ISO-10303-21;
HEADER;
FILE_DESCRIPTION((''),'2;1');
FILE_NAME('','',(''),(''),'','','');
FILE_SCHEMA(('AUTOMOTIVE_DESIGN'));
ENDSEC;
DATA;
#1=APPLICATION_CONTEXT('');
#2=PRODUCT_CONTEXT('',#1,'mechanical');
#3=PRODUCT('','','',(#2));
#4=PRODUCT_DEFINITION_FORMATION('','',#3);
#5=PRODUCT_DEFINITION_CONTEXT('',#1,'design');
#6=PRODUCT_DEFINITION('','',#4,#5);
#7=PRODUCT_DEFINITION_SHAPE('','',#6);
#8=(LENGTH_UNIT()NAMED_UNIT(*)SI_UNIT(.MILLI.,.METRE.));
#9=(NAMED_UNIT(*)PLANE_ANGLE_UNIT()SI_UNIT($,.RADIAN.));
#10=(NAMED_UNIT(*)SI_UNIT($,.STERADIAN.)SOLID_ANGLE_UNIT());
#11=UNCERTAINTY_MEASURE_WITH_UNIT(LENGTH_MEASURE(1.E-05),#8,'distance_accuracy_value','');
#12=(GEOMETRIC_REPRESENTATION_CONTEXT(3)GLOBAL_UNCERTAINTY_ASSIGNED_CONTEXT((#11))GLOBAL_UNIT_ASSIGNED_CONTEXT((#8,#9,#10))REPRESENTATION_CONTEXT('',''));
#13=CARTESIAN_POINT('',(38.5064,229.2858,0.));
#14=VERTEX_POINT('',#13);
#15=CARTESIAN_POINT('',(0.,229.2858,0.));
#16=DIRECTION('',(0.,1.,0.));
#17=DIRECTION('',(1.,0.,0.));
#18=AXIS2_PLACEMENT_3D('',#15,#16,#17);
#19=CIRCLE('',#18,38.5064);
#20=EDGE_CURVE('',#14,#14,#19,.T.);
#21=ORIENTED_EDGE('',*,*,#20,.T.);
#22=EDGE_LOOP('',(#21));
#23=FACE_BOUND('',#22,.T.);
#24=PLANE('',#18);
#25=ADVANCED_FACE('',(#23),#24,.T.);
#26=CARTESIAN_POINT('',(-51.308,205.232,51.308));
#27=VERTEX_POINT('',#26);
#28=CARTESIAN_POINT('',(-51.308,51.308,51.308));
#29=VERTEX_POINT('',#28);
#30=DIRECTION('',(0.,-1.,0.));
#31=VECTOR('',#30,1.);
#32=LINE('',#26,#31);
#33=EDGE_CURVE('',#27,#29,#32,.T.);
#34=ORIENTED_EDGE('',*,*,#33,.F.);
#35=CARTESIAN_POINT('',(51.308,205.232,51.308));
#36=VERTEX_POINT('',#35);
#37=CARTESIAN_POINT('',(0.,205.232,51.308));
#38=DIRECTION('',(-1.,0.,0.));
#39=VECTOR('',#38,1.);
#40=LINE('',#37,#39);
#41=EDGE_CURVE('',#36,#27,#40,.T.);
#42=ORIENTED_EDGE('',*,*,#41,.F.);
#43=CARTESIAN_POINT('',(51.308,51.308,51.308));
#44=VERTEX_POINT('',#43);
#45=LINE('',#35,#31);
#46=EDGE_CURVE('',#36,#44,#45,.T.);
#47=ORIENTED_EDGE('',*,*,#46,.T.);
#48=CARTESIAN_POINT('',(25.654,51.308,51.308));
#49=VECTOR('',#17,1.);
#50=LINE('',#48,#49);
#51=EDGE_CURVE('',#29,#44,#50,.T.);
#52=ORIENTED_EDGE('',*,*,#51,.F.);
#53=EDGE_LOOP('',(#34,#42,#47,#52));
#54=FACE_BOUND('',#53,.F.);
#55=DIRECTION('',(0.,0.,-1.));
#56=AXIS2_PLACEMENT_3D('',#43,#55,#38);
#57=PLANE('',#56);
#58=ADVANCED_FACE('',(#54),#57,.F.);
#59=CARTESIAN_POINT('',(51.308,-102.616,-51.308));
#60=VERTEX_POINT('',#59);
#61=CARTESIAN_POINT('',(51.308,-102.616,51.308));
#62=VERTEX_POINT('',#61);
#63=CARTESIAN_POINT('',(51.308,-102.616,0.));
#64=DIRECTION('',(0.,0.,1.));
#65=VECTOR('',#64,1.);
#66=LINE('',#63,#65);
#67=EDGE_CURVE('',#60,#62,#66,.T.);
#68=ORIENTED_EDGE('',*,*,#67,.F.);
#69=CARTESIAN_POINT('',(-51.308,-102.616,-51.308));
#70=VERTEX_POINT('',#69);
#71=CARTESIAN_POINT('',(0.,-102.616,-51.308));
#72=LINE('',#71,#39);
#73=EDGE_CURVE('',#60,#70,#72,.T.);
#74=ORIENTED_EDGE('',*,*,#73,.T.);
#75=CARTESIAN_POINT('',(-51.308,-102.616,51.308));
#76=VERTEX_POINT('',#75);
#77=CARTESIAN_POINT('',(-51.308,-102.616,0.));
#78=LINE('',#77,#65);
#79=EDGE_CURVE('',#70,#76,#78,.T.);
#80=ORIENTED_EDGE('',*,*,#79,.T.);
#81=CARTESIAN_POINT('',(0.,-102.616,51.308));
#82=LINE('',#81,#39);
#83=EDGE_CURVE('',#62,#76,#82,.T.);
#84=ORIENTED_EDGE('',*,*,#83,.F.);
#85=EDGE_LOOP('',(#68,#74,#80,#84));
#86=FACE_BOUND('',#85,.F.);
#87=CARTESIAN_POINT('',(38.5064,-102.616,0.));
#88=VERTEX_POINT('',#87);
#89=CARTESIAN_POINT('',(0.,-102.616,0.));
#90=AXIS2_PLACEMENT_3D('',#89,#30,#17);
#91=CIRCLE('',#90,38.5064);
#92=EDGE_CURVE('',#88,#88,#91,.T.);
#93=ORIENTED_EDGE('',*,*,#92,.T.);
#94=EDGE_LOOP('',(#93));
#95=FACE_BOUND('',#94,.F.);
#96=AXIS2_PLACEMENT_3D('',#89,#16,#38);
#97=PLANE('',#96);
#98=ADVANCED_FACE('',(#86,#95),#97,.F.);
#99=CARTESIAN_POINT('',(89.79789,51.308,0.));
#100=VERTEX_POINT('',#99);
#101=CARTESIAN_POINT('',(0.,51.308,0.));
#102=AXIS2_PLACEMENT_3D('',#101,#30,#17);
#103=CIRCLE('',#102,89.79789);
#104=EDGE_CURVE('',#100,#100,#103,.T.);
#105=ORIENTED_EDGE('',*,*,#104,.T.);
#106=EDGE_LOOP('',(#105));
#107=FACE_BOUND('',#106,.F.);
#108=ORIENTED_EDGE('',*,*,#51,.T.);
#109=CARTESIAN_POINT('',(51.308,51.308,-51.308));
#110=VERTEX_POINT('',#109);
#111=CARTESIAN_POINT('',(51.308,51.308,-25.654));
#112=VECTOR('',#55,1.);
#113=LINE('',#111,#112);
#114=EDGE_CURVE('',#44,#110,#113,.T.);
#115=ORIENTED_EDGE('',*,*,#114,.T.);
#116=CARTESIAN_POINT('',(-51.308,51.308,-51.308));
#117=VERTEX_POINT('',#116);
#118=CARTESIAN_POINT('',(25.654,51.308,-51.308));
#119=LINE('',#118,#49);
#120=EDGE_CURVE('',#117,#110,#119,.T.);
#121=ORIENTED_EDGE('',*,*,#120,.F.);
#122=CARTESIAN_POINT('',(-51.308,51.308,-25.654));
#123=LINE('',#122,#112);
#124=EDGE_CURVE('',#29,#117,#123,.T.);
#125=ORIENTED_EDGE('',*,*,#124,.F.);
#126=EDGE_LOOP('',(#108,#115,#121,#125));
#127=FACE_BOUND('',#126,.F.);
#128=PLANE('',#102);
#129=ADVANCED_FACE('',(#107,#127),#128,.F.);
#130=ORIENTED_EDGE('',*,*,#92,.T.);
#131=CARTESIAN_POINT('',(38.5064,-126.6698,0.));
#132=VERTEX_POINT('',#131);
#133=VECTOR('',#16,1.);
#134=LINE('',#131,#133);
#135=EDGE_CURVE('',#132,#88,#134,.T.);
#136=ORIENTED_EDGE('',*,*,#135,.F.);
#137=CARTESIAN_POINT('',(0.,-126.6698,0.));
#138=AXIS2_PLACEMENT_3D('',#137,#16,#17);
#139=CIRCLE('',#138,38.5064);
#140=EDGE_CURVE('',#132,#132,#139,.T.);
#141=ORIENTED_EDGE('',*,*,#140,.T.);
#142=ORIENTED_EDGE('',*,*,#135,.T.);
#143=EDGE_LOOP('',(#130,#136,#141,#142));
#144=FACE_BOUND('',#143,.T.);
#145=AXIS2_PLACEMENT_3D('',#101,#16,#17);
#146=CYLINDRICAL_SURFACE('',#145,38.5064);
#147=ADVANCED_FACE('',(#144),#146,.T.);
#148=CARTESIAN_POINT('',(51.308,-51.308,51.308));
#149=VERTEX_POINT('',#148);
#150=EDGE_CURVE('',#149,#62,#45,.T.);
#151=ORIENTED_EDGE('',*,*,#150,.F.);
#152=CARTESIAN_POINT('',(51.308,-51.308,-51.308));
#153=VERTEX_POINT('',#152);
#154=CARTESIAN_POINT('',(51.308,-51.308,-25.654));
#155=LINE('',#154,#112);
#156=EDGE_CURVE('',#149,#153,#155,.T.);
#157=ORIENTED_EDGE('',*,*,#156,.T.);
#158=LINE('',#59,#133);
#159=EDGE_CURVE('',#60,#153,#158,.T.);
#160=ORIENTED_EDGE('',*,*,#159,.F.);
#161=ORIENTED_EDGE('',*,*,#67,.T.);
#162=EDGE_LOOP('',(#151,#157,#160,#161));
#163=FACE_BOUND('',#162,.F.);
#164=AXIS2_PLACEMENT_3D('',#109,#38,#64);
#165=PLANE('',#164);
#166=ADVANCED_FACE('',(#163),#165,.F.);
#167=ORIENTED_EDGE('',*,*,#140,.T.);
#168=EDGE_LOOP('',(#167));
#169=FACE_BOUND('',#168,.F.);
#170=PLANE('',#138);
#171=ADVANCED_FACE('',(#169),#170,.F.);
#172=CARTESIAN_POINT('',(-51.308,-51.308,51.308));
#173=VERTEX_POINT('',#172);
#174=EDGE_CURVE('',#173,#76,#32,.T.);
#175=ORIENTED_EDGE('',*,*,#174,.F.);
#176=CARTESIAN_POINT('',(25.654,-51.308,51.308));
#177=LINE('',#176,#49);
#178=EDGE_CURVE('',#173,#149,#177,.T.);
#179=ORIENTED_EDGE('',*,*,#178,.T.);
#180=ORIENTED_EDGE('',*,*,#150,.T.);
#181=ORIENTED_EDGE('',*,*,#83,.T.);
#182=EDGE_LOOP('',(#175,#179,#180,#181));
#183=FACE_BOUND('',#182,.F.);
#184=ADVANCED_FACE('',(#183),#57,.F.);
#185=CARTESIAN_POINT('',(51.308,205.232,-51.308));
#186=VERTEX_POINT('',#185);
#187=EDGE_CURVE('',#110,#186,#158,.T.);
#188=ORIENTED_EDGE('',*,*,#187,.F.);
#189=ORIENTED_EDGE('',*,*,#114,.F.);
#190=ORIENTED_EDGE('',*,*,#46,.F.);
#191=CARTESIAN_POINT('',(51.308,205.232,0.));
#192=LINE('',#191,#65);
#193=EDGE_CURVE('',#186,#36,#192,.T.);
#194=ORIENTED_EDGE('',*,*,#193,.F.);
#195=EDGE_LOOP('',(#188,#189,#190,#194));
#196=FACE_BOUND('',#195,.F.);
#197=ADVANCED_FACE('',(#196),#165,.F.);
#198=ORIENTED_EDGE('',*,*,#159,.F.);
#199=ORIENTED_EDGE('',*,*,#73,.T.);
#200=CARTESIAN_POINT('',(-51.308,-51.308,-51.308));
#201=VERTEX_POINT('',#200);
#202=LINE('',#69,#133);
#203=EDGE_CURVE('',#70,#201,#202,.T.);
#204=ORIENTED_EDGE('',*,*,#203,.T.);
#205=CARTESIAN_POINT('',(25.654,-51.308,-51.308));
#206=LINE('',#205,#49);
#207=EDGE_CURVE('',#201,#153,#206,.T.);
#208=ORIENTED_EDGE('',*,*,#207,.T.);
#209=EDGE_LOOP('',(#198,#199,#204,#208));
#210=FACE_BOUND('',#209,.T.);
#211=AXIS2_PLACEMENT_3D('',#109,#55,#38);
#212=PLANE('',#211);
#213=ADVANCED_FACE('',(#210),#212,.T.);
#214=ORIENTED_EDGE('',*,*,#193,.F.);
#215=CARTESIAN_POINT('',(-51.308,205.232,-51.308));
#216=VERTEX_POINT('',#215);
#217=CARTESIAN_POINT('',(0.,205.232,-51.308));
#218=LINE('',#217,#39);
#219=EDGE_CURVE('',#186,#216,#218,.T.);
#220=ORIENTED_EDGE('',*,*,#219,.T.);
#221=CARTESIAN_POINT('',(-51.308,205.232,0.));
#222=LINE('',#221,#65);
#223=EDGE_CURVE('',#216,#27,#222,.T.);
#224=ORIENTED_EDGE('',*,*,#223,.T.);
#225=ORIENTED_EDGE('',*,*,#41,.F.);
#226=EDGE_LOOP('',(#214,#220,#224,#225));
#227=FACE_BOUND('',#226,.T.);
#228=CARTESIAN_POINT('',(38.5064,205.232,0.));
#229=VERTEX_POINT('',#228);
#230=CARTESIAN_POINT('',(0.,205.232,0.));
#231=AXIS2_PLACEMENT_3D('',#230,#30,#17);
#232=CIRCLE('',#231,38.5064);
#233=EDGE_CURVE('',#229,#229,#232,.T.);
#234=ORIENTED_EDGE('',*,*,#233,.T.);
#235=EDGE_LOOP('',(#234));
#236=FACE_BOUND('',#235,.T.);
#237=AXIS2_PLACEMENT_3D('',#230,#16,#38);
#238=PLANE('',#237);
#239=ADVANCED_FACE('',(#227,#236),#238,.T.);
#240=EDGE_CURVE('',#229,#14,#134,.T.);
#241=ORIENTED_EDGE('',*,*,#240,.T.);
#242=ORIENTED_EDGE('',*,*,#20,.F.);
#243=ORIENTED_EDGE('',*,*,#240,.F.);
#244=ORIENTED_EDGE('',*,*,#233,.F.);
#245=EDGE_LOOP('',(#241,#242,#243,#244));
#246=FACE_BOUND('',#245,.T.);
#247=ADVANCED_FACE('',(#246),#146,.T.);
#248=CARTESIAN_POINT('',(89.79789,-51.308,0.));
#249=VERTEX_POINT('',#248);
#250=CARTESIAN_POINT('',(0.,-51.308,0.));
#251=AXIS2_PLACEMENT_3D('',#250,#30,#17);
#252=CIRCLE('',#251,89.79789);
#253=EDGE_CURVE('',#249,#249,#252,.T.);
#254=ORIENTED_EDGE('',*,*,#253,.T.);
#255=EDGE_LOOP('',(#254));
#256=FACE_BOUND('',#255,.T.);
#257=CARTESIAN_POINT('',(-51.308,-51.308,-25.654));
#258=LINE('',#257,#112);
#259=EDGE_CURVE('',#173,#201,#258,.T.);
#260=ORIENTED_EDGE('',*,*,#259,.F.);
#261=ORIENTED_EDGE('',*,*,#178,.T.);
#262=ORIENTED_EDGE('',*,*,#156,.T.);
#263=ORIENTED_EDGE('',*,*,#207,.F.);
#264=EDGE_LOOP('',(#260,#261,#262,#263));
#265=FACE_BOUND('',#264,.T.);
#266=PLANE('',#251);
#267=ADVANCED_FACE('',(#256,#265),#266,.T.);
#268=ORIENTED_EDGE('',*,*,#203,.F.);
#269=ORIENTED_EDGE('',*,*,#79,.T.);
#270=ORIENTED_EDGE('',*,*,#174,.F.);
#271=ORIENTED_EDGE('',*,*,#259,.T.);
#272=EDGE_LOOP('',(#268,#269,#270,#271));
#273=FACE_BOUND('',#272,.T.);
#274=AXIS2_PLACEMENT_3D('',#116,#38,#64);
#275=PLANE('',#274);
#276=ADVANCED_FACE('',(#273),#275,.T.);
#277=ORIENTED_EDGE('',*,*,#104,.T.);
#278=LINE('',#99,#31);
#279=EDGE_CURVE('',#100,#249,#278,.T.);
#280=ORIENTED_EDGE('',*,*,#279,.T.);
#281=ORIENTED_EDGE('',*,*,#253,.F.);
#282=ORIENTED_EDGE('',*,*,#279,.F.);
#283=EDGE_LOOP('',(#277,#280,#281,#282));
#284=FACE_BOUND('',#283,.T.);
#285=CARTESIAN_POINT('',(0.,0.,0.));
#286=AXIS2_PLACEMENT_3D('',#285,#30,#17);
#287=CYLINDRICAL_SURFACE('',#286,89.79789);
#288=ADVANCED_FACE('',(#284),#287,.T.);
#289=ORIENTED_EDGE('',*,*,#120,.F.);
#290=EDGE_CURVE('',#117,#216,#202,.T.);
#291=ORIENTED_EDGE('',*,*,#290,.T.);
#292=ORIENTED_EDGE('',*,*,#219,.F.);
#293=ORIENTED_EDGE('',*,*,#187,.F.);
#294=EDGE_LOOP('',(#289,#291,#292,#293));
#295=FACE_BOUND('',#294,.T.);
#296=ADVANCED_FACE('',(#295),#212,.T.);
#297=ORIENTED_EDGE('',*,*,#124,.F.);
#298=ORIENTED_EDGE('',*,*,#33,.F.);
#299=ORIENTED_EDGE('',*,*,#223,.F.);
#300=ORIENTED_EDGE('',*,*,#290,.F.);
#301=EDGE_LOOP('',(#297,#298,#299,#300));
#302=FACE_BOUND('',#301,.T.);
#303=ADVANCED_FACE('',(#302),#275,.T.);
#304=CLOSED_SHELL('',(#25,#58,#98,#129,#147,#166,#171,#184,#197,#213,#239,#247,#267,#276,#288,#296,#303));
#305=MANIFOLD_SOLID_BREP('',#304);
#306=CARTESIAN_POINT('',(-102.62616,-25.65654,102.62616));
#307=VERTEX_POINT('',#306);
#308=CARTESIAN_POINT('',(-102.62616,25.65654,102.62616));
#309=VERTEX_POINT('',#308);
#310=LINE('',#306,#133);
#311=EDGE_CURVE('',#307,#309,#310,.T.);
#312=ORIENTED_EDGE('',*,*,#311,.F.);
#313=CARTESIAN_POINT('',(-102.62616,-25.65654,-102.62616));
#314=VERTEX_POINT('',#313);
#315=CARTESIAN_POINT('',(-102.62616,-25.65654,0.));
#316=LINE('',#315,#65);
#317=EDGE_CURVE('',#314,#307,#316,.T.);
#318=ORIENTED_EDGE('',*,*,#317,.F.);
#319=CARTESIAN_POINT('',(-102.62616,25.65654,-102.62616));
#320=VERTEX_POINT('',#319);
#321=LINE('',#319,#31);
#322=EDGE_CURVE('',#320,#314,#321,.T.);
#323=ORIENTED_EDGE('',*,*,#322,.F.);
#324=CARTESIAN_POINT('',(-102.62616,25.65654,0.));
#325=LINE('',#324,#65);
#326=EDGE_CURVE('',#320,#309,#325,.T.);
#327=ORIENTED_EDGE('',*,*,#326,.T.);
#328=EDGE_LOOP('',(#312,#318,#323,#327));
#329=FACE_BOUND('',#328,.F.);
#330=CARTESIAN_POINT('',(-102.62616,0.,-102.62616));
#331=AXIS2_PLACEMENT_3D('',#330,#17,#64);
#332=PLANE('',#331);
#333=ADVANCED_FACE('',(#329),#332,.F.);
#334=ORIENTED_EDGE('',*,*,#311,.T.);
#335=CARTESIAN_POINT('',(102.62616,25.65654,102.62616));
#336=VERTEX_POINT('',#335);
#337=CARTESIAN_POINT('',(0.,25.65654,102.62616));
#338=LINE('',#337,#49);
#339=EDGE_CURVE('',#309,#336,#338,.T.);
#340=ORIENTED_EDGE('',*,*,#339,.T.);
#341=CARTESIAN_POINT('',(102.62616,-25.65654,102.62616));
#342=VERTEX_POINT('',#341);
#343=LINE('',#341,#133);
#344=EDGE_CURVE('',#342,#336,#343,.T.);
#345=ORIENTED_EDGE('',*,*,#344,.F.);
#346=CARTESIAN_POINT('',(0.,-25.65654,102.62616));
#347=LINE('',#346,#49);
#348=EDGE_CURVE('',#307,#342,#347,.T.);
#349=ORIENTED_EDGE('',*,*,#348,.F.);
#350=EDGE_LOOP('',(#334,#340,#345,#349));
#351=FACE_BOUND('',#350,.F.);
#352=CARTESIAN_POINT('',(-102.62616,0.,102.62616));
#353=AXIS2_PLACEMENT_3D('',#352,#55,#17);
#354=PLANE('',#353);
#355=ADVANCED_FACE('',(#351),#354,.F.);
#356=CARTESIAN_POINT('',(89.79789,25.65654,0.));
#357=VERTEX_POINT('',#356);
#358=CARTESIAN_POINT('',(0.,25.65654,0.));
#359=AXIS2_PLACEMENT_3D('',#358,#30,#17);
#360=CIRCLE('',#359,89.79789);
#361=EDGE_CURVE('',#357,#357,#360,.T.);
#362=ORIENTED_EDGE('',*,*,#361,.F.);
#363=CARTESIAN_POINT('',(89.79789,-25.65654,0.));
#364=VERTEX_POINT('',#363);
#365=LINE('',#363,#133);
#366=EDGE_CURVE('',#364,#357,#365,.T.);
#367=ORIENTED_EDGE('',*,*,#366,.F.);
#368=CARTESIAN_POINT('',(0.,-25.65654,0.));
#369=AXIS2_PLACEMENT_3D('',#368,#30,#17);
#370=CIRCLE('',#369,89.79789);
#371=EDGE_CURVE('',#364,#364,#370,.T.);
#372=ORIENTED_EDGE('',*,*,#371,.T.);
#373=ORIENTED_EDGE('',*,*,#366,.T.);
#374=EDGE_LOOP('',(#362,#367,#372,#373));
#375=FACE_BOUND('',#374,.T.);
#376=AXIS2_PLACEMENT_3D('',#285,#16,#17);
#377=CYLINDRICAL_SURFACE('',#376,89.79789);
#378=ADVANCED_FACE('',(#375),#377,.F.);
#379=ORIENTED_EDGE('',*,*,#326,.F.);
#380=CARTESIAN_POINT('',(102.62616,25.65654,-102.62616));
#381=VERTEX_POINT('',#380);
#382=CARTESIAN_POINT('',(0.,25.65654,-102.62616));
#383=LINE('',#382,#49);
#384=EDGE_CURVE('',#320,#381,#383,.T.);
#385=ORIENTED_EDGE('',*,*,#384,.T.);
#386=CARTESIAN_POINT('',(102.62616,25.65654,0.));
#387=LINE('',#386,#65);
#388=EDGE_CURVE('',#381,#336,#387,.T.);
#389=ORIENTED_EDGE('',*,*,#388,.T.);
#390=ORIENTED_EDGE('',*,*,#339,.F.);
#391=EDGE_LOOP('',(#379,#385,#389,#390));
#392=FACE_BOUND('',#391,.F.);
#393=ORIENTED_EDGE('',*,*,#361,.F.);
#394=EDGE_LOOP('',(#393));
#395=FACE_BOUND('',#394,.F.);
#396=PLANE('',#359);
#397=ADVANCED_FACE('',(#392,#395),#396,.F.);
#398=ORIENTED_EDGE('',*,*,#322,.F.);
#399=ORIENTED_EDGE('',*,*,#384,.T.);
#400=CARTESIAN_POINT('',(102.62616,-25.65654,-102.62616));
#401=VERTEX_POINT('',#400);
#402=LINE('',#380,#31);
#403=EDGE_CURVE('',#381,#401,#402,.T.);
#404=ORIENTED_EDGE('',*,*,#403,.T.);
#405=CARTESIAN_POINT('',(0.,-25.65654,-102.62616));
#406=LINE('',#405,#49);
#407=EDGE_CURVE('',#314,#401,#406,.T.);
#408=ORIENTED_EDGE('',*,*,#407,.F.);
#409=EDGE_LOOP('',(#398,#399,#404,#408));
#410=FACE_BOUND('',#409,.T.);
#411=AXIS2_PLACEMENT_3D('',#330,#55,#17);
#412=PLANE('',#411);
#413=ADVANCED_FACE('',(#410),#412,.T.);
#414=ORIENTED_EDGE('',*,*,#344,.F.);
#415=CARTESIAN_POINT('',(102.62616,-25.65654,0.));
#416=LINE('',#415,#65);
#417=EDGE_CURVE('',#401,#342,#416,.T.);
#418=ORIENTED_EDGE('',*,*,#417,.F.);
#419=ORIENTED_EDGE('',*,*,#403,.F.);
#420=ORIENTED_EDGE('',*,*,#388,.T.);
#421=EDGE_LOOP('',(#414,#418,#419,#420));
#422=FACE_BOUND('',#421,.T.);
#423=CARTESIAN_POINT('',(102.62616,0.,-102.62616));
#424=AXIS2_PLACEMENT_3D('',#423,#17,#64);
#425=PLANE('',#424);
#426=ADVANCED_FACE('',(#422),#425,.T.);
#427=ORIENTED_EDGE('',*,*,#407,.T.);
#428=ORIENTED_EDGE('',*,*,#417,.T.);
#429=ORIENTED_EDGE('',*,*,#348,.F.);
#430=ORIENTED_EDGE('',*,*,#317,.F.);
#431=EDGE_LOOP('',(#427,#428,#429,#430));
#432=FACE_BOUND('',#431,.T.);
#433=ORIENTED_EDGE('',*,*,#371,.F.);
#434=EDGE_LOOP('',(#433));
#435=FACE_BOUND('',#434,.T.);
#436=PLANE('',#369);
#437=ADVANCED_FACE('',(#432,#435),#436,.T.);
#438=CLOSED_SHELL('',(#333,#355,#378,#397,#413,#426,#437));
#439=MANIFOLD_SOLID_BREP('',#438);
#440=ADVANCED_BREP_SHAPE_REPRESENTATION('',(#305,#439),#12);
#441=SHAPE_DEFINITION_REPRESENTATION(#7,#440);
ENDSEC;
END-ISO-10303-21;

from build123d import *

# Parameters (mm, degrees)
F0_W      = 205.25232
F0_H      = 205.25232
F0_R      = 89.79789
F1_DEPTH  = 25.65654
F2_DEPTH  = 51.308
F3_W      = 102.616
F3_H      = 102.616
F3_R      = 38.5064
F4_DEPTH  = 153.924
F4_FACE_R = 38.5064
F5_DEPTH  = 177.9778


with BuildPart() as f1:
    # F0 (on Front) → F1 (new body, symmetric)
    with BuildSketch(Plane.XZ):
        Rectangle(F0_W, F0_H)
        Circle(F0_R, mode=Mode.SUBTRACT)
    extrude(amount=F1_DEPTH, both=True)


with BuildPart() as f2:
    # F0 (on Front) → F2 (new body, symmetric)
    with BuildSketch(Plane.XZ):
        Circle(F0_R)
    extrude(amount=F2_DEPTH, both=True)

    # F3 (on face) → F4 (join, symmetric)
    with BuildSketch(Plane(origin=(0, 51.308, 0), x_dir=(-1, 0, 0), z_dir=(0, 1, 0))):
        Rectangle(F3_W, F3_H)
        Circle(F3_R, mode=Mode.SUBTRACT)
    extrude(amount=F4_DEPTH, both=True)

    # F4_face (on face) → F5 (join, symmetric)
    with BuildSketch(Plane(origin=(0, 51.308, 0), x_dir=(1, 0, 0), z_dir=(0, 1, 0))):
        Circle(F4_FACE_R)
    extrude(amount=F5_DEPTH, both=True)


solid = Compound([f1.part, f2.part])
